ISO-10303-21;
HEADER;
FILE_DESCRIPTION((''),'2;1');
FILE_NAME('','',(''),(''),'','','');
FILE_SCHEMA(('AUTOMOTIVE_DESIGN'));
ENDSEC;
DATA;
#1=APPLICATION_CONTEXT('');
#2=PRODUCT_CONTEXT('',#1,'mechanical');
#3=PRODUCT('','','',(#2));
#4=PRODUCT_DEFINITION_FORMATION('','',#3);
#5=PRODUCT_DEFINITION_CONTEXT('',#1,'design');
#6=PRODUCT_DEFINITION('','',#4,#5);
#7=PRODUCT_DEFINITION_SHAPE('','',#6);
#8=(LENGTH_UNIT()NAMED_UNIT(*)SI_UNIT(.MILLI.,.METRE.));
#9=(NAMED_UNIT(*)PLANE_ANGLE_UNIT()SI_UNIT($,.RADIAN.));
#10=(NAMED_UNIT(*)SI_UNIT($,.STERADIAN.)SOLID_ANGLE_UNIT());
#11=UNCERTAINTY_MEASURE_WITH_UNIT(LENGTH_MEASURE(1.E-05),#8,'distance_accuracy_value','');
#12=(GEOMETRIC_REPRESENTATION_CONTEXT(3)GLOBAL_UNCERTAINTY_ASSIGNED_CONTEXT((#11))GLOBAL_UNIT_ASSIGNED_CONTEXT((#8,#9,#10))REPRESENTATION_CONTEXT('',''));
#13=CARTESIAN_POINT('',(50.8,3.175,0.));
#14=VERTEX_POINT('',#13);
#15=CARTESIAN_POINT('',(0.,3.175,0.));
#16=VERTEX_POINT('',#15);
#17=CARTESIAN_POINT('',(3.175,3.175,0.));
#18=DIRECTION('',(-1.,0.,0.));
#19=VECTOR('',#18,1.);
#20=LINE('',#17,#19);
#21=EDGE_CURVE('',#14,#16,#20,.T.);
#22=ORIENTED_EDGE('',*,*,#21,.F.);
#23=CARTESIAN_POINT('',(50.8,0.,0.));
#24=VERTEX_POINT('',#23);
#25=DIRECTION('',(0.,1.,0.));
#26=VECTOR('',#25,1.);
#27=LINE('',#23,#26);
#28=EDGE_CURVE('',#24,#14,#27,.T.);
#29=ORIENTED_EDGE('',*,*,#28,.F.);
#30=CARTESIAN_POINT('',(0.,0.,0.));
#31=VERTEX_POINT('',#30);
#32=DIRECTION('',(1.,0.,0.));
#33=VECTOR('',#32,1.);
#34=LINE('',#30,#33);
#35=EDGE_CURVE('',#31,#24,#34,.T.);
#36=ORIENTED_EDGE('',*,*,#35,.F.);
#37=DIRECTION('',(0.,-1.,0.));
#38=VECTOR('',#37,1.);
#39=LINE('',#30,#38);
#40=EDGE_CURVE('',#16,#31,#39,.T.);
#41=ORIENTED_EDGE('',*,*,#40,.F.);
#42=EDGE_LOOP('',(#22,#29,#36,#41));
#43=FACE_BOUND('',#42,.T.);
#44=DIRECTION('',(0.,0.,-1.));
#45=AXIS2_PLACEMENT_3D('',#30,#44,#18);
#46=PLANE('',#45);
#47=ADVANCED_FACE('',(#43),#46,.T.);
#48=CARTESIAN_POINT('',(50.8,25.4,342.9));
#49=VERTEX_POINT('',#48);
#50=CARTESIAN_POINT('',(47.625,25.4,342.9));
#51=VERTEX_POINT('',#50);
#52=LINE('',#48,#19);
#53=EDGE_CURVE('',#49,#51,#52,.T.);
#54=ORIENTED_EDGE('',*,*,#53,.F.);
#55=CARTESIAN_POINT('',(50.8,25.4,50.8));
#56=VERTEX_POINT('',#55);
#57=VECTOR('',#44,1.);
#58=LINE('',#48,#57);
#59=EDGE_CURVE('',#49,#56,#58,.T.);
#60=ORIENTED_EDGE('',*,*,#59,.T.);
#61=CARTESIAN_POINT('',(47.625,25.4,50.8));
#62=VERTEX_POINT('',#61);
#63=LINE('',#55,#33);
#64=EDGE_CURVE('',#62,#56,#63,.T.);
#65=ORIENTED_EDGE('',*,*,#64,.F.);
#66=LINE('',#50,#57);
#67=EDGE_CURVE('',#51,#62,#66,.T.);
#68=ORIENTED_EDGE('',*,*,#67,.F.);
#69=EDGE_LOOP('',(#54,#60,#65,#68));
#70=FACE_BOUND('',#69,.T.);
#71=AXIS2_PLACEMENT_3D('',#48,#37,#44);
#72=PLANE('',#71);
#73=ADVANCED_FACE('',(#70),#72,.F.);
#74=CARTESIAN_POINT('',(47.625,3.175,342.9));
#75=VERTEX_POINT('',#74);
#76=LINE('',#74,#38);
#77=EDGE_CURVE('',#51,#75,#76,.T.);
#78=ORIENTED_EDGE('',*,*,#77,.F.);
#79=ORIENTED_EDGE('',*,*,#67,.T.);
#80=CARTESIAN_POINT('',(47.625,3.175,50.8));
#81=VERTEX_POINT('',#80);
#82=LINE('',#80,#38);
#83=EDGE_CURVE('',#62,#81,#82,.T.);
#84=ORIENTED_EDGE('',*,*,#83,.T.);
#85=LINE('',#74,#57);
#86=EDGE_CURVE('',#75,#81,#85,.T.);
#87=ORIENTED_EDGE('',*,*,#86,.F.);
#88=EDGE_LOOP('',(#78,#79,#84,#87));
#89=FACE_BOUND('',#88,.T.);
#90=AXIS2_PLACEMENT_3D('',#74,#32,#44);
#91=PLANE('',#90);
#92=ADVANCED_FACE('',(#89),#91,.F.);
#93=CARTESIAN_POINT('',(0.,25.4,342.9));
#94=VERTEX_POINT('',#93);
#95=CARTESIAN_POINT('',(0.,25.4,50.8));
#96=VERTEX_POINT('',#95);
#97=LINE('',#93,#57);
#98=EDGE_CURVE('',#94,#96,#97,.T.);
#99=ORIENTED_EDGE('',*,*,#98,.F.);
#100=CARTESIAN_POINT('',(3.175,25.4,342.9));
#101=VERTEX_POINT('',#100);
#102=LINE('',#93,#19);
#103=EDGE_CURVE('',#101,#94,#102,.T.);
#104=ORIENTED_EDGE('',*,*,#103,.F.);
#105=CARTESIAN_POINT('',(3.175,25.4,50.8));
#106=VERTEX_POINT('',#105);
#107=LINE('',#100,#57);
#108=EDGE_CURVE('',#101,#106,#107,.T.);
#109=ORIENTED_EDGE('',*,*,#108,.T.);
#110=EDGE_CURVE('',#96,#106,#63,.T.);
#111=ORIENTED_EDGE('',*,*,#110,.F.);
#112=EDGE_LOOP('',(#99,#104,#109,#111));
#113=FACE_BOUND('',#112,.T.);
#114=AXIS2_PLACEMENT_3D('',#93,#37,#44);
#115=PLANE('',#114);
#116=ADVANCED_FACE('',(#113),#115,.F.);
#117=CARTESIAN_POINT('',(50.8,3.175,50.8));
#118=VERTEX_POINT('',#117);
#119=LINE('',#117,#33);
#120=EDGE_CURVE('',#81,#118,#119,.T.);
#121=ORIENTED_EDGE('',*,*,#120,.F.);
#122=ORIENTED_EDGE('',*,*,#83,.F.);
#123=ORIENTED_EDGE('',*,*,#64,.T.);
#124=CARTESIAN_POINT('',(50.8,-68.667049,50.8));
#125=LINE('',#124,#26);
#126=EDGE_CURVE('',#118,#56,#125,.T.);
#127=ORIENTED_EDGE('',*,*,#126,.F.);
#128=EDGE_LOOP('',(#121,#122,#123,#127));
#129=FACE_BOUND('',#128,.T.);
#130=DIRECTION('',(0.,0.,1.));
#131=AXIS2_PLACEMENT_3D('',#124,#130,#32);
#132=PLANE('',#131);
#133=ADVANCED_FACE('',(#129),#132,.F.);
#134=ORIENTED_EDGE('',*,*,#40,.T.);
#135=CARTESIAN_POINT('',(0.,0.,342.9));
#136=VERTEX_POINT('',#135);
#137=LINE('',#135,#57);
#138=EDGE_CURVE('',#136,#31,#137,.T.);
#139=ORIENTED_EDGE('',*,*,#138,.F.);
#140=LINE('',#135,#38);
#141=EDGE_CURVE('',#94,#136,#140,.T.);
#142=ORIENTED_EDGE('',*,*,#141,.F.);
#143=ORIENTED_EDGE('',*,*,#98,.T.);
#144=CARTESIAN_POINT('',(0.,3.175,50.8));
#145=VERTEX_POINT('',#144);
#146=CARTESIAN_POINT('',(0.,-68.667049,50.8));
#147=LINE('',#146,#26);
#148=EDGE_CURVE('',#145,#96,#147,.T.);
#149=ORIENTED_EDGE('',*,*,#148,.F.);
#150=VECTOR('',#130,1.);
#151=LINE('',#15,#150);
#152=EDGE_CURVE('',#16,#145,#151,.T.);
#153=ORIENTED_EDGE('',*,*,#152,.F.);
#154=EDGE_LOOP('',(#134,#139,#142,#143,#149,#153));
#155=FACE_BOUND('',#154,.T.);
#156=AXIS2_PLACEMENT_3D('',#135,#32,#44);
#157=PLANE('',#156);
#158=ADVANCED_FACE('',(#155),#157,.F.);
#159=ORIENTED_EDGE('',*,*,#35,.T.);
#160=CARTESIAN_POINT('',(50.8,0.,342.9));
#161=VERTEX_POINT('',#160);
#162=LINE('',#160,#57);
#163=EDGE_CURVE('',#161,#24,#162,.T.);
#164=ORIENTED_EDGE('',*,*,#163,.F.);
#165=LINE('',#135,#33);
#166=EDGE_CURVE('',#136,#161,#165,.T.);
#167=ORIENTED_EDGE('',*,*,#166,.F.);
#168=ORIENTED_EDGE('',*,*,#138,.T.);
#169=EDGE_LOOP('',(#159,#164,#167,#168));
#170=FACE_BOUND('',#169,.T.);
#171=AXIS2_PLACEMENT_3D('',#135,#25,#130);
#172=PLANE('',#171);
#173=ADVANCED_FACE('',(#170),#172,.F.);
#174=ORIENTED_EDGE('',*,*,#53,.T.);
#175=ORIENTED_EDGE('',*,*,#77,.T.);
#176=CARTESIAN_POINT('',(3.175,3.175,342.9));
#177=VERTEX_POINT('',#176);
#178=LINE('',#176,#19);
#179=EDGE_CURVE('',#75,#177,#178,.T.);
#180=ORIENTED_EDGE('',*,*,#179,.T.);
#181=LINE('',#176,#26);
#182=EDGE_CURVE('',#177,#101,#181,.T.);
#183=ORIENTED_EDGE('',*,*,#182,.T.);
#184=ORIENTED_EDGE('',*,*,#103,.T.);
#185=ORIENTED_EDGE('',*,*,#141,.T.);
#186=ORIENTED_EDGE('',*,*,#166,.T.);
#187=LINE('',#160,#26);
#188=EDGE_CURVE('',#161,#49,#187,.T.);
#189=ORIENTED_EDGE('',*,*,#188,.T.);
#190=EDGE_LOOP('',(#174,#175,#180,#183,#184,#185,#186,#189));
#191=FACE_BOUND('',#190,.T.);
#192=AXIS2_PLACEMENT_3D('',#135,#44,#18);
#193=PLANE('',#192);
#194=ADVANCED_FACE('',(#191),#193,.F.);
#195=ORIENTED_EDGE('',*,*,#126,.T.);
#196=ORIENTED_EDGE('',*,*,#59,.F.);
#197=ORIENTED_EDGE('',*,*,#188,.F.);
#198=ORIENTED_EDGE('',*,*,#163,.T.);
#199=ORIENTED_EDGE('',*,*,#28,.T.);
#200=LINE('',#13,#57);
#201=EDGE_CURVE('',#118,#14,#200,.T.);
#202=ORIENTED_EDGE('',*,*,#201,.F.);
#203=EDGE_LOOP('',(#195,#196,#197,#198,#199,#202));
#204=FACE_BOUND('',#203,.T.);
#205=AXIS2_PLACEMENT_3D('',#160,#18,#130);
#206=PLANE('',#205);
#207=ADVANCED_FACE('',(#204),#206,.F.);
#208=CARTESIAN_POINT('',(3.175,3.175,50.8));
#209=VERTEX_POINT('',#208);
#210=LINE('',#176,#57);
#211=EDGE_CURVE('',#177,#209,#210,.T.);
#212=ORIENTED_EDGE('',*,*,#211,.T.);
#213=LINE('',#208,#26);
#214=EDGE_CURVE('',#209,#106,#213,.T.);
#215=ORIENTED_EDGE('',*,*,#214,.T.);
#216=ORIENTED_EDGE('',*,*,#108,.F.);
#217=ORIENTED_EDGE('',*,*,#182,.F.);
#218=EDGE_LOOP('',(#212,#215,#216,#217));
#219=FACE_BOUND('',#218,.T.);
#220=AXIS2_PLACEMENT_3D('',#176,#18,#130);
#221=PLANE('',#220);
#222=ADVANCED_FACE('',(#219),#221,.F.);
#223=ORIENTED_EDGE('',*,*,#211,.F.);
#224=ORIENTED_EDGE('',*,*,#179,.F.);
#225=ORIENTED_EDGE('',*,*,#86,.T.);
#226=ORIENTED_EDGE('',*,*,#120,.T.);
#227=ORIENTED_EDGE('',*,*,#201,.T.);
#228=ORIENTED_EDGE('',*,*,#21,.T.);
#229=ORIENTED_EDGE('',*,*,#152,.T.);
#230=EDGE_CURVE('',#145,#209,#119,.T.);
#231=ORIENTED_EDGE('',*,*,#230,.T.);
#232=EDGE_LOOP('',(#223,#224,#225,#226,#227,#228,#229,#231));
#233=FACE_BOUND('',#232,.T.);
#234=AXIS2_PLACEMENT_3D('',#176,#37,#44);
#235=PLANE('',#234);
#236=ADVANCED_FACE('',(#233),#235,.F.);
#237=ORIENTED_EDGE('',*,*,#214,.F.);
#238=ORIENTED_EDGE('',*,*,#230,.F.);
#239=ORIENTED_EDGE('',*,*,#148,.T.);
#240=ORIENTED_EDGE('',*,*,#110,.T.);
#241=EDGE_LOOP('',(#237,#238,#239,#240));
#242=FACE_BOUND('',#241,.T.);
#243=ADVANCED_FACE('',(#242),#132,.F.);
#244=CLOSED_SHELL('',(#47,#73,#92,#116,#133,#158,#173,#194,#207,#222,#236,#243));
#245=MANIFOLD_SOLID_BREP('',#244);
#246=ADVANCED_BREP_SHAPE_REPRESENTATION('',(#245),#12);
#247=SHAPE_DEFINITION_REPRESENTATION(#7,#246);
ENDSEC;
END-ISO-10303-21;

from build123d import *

# Parameters (mm, degrees)
BOSS_EXTRUDE1_DEPTH = 342.9
SKETCH2_W           = 50.8
SKETCH2_H           = 50.8
CUT_EXTRUDE1_DEPTH  = 22.225


with BuildPart() as part:
    # Sketch1 → Boss-Extrude1 (new body)
    with BuildSketch(Plane.XY):
        Polygon((3.175, 3.175), (3.175, 25.4), (0, 25.4), (0, 0), (50.8, 0), (50.8, 25.4), (47.625, 25.4), (47.625, 3.175), align=None)
    extrude(amount=BOSS_EXTRUDE1_DEPTH)

    # Sketch2 → Cut-Extrude1 (cut)
    with BuildSketch(Plane(origin=(0, 25.4, 0), x_dir=(1, 0, 0), z_dir=(0, 1, 0))):
        with Locations((25.4, -25.4)):
            Rectangle(SKETCH2_W, SKETCH2_H)
    extrude(amount=-CUT_EXTRUDE1_DEPTH, mode=Mode.SUBTRACT)


solid = part.part
